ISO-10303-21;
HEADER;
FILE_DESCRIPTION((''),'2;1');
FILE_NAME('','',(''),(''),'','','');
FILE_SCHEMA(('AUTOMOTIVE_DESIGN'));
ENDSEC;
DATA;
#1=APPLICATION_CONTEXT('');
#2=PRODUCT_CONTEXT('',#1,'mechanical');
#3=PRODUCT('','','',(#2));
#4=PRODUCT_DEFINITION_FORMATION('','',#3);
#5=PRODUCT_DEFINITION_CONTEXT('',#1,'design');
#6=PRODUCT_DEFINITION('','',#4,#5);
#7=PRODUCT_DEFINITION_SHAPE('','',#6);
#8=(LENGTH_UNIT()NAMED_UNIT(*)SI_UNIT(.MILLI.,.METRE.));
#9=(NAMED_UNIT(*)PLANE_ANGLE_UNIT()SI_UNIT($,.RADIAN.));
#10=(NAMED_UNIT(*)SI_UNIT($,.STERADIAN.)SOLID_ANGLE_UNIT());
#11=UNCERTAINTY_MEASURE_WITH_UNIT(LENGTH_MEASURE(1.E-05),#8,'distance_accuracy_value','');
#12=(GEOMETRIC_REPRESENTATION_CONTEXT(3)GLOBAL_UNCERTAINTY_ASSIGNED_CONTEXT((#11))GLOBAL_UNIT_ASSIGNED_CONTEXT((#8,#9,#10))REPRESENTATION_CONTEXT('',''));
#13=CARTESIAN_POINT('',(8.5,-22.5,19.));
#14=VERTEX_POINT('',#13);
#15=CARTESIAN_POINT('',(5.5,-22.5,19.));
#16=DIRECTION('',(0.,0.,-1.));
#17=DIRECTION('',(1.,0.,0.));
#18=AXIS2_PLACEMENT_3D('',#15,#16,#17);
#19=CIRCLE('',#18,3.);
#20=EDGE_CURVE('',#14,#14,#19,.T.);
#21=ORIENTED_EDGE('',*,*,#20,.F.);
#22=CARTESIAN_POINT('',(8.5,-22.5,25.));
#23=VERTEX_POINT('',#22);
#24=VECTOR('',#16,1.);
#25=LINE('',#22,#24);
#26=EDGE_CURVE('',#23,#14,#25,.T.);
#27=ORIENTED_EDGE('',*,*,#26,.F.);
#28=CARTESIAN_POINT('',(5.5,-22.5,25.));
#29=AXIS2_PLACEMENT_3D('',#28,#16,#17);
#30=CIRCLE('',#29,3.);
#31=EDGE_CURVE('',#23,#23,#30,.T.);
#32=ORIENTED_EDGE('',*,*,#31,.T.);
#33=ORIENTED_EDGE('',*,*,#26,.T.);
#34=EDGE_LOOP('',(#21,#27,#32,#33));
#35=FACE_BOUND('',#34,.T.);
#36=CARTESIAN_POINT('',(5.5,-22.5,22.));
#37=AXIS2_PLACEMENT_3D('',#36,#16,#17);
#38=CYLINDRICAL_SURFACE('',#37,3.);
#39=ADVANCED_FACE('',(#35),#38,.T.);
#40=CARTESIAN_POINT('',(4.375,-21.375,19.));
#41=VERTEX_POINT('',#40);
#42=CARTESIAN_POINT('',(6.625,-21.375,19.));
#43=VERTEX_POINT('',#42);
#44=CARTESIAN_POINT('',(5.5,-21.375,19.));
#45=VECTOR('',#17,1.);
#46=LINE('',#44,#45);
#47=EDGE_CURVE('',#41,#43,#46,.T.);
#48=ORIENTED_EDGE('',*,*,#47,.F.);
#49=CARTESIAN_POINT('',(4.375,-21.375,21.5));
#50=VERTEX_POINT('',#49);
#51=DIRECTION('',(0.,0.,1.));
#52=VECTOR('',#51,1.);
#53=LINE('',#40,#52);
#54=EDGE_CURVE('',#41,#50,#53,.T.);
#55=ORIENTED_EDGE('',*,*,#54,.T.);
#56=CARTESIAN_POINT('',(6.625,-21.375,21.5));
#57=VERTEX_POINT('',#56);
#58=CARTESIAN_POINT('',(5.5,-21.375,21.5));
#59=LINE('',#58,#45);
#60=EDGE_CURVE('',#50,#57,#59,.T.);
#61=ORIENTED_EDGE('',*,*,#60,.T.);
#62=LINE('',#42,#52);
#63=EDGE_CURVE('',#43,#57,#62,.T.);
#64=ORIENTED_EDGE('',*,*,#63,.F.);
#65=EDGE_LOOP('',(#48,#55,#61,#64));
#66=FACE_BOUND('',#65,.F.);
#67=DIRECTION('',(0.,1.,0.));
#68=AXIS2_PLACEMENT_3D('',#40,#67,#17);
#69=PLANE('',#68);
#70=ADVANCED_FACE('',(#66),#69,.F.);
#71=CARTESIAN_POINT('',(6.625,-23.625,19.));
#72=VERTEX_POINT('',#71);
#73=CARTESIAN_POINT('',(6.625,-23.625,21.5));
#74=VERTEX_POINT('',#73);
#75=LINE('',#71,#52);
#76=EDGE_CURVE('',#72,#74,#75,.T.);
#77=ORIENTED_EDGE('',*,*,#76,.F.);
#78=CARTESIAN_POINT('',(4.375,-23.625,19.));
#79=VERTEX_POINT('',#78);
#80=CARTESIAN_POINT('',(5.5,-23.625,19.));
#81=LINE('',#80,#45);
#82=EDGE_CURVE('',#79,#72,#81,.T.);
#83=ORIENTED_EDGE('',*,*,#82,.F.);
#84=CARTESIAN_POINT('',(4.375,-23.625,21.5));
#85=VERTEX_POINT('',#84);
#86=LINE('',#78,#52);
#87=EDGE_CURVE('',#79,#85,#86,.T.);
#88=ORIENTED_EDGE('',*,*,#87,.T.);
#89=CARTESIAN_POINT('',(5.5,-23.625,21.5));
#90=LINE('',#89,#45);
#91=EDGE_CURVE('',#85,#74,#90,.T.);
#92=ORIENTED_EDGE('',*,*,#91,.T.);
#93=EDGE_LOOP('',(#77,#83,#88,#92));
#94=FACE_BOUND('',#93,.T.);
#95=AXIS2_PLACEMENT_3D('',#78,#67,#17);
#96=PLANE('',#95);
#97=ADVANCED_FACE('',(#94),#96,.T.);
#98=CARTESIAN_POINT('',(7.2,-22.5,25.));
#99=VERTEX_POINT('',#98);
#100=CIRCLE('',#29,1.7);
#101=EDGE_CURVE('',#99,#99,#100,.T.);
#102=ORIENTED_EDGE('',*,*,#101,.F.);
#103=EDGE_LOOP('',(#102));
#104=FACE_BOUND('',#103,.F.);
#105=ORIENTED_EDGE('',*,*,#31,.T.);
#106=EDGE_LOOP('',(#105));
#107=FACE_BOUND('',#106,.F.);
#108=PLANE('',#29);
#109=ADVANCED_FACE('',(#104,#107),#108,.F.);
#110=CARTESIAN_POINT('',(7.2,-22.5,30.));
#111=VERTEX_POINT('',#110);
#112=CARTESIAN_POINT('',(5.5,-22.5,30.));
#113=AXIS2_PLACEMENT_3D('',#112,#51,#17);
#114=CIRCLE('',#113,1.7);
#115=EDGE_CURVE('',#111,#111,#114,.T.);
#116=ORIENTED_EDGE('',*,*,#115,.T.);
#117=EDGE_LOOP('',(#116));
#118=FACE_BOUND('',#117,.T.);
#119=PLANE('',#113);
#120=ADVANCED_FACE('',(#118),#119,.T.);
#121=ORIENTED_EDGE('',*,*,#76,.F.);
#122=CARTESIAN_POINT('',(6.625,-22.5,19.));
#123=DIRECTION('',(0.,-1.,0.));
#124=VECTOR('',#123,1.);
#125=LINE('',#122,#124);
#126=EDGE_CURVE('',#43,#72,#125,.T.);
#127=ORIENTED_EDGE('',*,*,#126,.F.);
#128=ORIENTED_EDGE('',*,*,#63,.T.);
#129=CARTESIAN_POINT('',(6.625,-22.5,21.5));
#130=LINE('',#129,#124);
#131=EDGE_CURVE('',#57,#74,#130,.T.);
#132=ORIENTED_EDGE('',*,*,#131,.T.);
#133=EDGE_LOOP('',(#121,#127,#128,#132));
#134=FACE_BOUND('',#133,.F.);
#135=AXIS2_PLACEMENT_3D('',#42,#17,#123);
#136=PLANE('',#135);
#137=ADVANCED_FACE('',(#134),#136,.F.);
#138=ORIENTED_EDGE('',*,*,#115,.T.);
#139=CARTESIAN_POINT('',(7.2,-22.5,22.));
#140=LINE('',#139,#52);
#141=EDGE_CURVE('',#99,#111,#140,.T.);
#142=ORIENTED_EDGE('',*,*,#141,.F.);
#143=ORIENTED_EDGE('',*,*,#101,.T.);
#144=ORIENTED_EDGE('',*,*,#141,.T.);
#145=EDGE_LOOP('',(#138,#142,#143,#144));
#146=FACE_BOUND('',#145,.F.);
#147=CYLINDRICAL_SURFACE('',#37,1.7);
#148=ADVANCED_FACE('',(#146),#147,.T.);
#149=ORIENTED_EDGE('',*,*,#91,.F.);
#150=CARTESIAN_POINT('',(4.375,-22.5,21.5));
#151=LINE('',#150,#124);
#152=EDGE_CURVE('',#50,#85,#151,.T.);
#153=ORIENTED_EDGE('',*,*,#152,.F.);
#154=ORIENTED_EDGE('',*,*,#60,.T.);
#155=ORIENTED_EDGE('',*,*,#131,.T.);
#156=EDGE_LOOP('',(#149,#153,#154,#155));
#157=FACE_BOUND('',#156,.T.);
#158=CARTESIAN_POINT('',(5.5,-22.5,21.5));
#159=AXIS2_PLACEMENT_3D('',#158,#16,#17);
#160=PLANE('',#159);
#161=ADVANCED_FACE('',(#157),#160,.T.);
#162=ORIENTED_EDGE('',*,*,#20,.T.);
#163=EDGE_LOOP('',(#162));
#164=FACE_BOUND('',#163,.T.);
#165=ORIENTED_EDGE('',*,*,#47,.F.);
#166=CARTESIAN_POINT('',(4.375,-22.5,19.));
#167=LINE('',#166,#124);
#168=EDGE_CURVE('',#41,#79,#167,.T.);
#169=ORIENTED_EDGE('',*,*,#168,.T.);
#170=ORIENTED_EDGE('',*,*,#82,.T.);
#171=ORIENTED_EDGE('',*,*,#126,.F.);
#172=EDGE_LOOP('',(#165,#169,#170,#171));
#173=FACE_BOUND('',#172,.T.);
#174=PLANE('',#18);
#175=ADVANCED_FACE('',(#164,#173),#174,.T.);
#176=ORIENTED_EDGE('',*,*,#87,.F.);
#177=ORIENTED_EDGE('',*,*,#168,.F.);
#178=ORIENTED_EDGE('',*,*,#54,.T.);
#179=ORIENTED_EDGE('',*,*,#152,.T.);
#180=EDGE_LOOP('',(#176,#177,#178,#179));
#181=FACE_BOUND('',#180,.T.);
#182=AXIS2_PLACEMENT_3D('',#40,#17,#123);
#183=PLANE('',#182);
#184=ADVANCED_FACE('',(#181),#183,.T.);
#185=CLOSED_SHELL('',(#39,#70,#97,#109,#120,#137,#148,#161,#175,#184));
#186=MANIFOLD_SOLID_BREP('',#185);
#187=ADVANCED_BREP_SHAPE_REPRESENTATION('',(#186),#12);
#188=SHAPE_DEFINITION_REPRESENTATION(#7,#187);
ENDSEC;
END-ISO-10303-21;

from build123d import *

# Parameters (mm, degrees)
SKETCH098_W       = 1
SKETCH098_H       = 1
PAD061_DEPTH      = 4
SKETCH099_R       = 3
PAD062_DEPTH      = 3
PAD062_DEPTH_BACK = 3
SKETCH102_R       = 1.7
PAD063_DEPTH      = 8
SKETCH100_W       = 2.25
SKETCH100_H       = 2.25
POCKET048_DEPTH   = 2.5


with BuildPart() as part:
    # Sketch098 → Pad061 (new body)
    with BuildSketch(Plane(origin=(0, 0, 22), x_dir=(1, 0, 0), z_dir=(0, 0, -1))):
        with Locations((5.5, 22.5)):
            Rectangle(SKETCH098_W, SKETCH098_H)
    extrude(amount=-PAD061_DEPTH)

    # Sketch099 (on Face5 of Pad061) → Pad062 (join, two sides)
    with BuildSketch(Plane(origin=(0, 0, 22), x_dir=(1, 0, 0), z_dir=(0, 0, -1))) as pad062_sk:
        with Locations((5.5, 22.5)):
            Circle(SKETCH099_R)
    extrude(amount=PAD062_DEPTH)
    extrude(pad062_sk.sketch, amount=-PAD062_DEPTH_BACK)

    # Sketch102 → Pad063 (join)
    with BuildSketch(Plane.XY.offset(22)):
        with Locations((5.5, -22.5)):
            Circle(SKETCH102_R)
    extrude(amount=PAD063_DEPTH)

    # Sketch100 (on Face4 of Pad063) → Pocket048 (cut)
    with BuildSketch(Plane(origin=(0, 0, 19), x_dir=(1, 0, 0), z_dir=(0, 0, -1))):
        with Locations((5.5, 22.5)):
            Rectangle(SKETCH100_W, SKETCH100_H)
    extrude(amount=-POCKET048_DEPTH, mode=Mode.SUBTRACT)


solid = part.part
